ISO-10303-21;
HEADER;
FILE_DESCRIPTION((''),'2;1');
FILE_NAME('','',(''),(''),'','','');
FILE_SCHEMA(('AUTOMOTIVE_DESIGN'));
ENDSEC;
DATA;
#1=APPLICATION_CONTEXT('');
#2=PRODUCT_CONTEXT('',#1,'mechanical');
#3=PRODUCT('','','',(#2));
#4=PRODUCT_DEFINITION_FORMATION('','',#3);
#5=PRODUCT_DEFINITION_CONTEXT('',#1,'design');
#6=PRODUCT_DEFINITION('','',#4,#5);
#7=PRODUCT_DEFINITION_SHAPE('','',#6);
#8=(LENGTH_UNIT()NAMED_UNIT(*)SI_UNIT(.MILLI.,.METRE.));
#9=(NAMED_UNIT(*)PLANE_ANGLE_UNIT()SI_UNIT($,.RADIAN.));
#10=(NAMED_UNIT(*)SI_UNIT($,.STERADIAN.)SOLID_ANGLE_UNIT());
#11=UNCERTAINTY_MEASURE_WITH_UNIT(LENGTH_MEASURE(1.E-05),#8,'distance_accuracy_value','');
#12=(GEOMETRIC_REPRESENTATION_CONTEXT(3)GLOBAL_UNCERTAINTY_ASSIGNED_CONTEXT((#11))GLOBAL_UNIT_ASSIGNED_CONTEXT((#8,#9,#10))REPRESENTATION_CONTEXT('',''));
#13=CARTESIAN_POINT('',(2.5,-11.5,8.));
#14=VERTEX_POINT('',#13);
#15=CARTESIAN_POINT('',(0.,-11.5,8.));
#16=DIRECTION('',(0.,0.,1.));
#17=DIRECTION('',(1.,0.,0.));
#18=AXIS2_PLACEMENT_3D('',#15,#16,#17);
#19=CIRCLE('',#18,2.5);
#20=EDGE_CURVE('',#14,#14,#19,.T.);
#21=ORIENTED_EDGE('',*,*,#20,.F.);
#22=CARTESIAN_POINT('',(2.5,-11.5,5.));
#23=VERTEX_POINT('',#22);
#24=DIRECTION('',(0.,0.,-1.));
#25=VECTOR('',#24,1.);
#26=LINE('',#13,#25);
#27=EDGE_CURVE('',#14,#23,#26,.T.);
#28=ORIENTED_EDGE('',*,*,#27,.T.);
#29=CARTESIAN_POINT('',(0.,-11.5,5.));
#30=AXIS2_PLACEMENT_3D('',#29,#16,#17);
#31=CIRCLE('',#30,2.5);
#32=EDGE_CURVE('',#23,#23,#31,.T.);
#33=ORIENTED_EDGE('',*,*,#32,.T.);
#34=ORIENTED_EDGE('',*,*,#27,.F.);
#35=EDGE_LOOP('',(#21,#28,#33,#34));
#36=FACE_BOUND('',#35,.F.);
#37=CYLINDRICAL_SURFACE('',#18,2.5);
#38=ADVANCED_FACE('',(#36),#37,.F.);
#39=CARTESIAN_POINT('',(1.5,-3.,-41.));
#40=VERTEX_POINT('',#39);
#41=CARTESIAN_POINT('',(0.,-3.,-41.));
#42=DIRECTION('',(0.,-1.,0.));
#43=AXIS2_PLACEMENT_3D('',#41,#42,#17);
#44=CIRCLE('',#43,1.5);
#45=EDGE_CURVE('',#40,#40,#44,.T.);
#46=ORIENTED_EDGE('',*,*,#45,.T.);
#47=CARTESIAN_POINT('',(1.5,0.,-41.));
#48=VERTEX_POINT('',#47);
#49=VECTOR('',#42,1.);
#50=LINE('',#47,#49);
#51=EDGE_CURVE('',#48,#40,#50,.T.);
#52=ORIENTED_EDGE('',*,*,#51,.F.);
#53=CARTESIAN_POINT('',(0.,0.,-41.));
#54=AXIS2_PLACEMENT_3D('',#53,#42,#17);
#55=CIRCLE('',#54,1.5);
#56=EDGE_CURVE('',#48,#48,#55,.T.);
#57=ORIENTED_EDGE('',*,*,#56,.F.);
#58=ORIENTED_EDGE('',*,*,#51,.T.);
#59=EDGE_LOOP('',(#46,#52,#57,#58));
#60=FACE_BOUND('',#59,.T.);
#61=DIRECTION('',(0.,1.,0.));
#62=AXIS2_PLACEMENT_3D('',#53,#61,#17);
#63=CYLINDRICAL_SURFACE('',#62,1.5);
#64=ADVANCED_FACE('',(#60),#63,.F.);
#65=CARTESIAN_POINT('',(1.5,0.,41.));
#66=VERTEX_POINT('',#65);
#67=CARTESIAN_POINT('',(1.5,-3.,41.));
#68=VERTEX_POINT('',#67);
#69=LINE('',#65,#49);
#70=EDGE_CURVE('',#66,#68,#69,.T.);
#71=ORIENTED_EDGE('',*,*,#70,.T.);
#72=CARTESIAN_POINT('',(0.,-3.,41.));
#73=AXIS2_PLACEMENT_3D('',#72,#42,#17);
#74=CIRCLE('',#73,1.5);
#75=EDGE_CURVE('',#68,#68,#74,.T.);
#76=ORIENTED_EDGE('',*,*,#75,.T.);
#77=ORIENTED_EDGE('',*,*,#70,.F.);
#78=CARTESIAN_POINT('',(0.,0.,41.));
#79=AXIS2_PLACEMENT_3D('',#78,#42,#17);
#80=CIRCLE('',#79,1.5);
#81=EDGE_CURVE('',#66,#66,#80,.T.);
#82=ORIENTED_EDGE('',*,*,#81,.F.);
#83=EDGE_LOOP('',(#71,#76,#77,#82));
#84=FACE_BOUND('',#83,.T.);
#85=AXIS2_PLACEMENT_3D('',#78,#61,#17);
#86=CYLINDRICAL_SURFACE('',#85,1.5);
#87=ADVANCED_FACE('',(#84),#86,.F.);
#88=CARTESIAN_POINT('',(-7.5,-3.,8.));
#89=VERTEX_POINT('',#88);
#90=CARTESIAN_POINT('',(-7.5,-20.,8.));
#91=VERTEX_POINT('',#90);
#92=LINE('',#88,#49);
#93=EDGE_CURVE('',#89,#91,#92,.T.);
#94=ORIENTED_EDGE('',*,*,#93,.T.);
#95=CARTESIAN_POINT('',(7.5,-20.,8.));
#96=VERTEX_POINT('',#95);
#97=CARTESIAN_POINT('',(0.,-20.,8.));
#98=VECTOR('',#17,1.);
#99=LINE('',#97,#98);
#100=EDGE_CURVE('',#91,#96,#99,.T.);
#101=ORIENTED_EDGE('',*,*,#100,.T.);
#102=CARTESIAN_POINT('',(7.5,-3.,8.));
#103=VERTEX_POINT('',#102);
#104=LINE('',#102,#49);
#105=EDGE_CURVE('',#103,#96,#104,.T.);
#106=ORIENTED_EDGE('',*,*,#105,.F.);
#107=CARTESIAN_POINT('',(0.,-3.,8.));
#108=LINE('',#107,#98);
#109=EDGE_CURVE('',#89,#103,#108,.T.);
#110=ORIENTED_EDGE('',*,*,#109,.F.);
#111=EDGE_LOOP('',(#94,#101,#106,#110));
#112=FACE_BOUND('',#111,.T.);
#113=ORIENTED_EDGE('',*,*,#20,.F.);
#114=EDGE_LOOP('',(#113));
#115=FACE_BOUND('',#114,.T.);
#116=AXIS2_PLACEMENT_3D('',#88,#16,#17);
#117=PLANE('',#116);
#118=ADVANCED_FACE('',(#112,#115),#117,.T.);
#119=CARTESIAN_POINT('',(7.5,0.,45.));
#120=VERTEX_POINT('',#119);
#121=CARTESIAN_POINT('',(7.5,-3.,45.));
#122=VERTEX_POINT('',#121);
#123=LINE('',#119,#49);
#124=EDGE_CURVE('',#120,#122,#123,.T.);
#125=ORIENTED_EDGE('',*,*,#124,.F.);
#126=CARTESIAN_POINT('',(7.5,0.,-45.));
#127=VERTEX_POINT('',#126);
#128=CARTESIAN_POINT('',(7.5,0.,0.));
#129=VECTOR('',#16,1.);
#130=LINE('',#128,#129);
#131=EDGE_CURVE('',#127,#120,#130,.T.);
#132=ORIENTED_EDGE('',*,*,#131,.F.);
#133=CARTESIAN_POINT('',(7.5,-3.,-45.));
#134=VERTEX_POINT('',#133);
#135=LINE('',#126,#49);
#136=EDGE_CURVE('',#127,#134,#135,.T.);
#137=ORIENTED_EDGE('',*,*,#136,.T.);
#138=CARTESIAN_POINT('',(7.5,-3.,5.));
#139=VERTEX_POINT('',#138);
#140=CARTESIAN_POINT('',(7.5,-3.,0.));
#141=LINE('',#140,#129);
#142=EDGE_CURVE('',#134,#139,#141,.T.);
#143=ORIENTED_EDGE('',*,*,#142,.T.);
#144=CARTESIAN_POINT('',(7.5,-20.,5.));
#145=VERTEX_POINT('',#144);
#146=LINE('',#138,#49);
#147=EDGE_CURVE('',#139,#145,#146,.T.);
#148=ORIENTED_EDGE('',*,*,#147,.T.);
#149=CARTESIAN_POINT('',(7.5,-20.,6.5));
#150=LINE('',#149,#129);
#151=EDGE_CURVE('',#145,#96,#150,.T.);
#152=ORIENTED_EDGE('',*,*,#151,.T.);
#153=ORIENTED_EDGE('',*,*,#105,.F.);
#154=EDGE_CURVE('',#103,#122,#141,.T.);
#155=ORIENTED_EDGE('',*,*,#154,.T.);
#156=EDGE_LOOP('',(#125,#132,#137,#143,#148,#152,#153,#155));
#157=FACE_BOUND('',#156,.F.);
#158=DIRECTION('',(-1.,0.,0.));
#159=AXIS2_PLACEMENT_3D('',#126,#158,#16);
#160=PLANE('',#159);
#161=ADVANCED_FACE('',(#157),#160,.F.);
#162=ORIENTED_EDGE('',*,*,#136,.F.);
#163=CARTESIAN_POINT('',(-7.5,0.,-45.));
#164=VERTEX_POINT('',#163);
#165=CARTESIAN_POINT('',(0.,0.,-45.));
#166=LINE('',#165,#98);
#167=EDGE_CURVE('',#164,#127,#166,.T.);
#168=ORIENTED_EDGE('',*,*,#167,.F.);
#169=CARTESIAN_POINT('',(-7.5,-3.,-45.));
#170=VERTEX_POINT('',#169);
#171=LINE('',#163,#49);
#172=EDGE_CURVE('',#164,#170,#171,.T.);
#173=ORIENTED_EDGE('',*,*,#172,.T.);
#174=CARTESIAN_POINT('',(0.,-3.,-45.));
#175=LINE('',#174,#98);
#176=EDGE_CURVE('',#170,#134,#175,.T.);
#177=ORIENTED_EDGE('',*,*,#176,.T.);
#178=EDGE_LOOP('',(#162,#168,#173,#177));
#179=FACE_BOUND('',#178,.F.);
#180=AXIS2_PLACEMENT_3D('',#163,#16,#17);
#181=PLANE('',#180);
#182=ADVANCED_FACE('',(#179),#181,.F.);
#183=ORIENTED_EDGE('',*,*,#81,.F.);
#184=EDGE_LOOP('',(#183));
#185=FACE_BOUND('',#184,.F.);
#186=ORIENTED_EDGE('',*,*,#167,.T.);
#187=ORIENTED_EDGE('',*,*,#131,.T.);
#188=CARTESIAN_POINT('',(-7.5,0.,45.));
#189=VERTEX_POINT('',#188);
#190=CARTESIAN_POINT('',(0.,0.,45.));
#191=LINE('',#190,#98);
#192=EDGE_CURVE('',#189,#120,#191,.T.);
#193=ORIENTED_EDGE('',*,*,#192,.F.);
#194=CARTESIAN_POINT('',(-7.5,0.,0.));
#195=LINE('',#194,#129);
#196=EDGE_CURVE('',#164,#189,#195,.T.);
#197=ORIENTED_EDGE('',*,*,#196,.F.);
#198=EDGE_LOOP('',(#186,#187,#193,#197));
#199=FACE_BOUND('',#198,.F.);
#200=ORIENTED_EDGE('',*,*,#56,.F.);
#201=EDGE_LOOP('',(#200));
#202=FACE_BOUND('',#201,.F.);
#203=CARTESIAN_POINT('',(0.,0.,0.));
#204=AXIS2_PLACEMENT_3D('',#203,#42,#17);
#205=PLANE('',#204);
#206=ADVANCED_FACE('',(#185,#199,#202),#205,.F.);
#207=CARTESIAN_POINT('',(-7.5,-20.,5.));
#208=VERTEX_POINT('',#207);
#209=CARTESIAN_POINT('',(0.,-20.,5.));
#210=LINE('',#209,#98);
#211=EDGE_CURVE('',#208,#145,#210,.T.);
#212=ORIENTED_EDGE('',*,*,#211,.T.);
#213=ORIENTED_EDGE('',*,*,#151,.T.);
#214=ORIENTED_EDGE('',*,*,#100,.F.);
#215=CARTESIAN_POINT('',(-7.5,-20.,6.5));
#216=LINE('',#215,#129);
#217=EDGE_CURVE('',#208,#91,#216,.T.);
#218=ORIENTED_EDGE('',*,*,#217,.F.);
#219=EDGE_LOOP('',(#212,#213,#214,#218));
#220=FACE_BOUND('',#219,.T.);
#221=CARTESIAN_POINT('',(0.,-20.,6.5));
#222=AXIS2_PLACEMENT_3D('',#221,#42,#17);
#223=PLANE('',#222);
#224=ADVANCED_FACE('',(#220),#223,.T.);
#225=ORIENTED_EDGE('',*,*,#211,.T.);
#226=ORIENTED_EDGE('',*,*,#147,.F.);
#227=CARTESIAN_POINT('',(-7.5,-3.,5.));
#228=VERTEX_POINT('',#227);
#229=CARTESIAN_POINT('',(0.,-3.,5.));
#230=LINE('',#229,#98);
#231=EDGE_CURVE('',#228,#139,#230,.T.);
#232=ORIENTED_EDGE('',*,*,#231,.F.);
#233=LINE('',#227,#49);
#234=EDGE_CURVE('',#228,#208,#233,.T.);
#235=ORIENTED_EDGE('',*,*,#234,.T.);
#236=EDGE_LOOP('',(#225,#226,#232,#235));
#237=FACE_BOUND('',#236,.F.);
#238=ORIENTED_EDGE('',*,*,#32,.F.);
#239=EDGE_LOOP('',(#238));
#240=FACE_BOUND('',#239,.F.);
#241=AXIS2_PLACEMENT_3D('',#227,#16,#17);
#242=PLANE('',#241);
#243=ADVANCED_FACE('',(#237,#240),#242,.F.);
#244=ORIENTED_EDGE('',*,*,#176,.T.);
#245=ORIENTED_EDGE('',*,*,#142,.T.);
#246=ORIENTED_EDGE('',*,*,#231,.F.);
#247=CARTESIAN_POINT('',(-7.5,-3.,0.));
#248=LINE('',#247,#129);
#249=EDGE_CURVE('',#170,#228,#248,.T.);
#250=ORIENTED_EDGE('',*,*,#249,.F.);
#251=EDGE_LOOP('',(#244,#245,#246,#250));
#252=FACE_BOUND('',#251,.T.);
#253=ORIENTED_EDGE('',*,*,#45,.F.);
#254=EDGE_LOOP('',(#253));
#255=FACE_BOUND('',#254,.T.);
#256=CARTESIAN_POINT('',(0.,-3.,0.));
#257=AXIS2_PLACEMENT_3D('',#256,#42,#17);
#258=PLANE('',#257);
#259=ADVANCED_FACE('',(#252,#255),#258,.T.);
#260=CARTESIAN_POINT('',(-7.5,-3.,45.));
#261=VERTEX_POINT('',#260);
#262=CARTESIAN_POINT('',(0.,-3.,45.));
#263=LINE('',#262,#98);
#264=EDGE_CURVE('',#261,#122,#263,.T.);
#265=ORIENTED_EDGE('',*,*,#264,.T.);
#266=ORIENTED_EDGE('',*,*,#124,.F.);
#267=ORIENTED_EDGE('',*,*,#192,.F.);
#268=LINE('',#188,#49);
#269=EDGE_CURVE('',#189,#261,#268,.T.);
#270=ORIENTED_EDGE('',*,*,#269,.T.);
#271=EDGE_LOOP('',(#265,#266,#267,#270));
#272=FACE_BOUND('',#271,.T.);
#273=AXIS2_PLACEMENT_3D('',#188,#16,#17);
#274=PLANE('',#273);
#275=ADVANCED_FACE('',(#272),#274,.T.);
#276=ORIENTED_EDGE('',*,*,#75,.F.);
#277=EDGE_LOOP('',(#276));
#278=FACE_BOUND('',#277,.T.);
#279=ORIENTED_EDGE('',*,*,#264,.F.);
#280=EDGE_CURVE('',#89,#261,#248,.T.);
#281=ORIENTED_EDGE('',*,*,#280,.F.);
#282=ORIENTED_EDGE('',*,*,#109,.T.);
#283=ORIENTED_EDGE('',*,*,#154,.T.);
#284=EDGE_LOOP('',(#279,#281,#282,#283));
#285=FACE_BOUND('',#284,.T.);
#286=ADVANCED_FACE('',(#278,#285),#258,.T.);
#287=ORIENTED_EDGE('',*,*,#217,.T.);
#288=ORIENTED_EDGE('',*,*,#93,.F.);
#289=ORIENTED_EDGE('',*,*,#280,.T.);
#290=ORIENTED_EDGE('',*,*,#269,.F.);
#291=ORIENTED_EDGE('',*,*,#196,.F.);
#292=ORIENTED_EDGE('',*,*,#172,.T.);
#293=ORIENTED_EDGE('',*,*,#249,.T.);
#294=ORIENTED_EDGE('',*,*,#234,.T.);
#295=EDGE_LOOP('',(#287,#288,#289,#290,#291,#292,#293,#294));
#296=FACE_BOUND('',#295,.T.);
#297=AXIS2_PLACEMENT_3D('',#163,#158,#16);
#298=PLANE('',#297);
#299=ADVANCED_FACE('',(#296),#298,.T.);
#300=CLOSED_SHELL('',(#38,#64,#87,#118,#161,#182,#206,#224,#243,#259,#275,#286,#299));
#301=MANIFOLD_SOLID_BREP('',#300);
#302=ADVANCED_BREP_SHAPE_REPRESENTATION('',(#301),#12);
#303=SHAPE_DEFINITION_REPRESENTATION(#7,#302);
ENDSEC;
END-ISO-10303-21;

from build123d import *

# Parameters (mm, degrees)
F0_W     = 15
F0_H     = 90
F0_R     = 1.5
F1_DEPTH = 3
F2_W     = 15
F2_H     = 3
F3_DEPTH = 17
F4_R     = 2.5
F5_DEPTH = 53.001


with BuildPart() as f1:
    # F0 (on Front) → F1 (new body)
    with BuildSketch(Plane.XZ):
        Rectangle(F0_W, F0_H)
        with Locations((0, -41)):
            Circle(F0_R, mode=Mode.SUBTRACT)
        with Locations((0, 41)):
            Circle(F0_R, mode=Mode.SUBTRACT)
    extrude(amount=F1_DEPTH)

    # F2 (on face) → F3 (join)
    with BuildSketch(Plane.XZ.offset(3)):
        with Locations((0, 6.5)):
            Rectangle(F2_W, F2_H)
    extrude(amount=F3_DEPTH)

    # F4 (on face) → F5 (cut, through all)
    with BuildSketch(Plane.XY.offset(8)):
        with Locations((0, -11.5)):
            Circle(F4_R)
    extrude(amount=-F5_DEPTH, mode=Mode.SUBTRACT)


solid = f1.part
